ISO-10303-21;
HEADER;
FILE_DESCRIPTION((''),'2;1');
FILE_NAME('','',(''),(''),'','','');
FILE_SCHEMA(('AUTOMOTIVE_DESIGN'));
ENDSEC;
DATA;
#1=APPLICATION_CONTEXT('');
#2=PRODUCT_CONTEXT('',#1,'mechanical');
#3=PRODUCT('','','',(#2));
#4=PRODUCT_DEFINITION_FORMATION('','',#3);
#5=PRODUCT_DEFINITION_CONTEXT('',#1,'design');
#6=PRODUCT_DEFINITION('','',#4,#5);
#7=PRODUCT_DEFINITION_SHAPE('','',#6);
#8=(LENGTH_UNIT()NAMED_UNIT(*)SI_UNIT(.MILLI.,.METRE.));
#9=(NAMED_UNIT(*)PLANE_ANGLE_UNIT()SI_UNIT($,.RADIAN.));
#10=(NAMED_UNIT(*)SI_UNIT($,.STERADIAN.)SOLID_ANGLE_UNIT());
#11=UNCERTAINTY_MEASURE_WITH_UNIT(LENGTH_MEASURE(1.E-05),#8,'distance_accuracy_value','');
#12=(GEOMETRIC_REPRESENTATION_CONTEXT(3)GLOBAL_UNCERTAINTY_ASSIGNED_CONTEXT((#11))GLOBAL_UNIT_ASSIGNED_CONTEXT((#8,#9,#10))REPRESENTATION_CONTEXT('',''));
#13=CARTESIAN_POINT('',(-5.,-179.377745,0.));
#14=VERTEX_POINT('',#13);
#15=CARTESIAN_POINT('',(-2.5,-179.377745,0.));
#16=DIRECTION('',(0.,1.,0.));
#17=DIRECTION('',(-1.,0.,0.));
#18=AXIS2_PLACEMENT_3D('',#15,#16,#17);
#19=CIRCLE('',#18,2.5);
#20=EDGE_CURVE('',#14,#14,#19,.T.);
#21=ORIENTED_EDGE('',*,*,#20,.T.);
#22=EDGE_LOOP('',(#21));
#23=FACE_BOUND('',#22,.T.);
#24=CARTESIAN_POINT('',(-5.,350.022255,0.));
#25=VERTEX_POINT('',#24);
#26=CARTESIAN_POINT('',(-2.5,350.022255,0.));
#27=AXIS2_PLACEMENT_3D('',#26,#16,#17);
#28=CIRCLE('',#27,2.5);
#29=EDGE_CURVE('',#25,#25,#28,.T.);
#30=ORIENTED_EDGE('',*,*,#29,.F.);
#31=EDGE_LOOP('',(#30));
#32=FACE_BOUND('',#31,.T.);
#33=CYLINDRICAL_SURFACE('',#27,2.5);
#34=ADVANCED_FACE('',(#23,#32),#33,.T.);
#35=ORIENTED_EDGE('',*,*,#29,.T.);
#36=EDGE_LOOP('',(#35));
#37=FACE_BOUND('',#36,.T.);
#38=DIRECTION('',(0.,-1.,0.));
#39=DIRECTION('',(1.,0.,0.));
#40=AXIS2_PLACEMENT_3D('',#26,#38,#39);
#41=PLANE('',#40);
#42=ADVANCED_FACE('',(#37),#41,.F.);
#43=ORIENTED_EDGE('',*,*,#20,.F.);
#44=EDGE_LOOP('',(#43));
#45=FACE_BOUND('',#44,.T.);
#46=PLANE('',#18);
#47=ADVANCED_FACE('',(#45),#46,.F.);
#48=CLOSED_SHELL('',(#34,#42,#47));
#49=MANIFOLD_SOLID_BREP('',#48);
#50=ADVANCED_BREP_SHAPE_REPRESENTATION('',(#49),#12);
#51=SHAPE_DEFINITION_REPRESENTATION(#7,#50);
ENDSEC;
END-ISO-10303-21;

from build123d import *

# Parameters (mm, degrees)
SKETCH_2_W = 2.5
SKETCH_2_H = 529.4


with BuildPart() as part:
    # Эскиз2 → Повернуть1 (revolve)
    with BuildSketch(Plane.XY, mode=Mode.PRIVATE) as revolve_1_sk:
        with Locations((-1.25, 85.322255488)):
            Rectangle(SKETCH_2_W, SKETCH_2_H)
    revolve(revolve_1_sk.sketch.rotate(Axis((-2.5, 350.022255488, 0), (0, -1, 0)), 180), axis=Axis((-2.5, 350.022255488, 0), (0, -1, 0)))


solid = part.part
